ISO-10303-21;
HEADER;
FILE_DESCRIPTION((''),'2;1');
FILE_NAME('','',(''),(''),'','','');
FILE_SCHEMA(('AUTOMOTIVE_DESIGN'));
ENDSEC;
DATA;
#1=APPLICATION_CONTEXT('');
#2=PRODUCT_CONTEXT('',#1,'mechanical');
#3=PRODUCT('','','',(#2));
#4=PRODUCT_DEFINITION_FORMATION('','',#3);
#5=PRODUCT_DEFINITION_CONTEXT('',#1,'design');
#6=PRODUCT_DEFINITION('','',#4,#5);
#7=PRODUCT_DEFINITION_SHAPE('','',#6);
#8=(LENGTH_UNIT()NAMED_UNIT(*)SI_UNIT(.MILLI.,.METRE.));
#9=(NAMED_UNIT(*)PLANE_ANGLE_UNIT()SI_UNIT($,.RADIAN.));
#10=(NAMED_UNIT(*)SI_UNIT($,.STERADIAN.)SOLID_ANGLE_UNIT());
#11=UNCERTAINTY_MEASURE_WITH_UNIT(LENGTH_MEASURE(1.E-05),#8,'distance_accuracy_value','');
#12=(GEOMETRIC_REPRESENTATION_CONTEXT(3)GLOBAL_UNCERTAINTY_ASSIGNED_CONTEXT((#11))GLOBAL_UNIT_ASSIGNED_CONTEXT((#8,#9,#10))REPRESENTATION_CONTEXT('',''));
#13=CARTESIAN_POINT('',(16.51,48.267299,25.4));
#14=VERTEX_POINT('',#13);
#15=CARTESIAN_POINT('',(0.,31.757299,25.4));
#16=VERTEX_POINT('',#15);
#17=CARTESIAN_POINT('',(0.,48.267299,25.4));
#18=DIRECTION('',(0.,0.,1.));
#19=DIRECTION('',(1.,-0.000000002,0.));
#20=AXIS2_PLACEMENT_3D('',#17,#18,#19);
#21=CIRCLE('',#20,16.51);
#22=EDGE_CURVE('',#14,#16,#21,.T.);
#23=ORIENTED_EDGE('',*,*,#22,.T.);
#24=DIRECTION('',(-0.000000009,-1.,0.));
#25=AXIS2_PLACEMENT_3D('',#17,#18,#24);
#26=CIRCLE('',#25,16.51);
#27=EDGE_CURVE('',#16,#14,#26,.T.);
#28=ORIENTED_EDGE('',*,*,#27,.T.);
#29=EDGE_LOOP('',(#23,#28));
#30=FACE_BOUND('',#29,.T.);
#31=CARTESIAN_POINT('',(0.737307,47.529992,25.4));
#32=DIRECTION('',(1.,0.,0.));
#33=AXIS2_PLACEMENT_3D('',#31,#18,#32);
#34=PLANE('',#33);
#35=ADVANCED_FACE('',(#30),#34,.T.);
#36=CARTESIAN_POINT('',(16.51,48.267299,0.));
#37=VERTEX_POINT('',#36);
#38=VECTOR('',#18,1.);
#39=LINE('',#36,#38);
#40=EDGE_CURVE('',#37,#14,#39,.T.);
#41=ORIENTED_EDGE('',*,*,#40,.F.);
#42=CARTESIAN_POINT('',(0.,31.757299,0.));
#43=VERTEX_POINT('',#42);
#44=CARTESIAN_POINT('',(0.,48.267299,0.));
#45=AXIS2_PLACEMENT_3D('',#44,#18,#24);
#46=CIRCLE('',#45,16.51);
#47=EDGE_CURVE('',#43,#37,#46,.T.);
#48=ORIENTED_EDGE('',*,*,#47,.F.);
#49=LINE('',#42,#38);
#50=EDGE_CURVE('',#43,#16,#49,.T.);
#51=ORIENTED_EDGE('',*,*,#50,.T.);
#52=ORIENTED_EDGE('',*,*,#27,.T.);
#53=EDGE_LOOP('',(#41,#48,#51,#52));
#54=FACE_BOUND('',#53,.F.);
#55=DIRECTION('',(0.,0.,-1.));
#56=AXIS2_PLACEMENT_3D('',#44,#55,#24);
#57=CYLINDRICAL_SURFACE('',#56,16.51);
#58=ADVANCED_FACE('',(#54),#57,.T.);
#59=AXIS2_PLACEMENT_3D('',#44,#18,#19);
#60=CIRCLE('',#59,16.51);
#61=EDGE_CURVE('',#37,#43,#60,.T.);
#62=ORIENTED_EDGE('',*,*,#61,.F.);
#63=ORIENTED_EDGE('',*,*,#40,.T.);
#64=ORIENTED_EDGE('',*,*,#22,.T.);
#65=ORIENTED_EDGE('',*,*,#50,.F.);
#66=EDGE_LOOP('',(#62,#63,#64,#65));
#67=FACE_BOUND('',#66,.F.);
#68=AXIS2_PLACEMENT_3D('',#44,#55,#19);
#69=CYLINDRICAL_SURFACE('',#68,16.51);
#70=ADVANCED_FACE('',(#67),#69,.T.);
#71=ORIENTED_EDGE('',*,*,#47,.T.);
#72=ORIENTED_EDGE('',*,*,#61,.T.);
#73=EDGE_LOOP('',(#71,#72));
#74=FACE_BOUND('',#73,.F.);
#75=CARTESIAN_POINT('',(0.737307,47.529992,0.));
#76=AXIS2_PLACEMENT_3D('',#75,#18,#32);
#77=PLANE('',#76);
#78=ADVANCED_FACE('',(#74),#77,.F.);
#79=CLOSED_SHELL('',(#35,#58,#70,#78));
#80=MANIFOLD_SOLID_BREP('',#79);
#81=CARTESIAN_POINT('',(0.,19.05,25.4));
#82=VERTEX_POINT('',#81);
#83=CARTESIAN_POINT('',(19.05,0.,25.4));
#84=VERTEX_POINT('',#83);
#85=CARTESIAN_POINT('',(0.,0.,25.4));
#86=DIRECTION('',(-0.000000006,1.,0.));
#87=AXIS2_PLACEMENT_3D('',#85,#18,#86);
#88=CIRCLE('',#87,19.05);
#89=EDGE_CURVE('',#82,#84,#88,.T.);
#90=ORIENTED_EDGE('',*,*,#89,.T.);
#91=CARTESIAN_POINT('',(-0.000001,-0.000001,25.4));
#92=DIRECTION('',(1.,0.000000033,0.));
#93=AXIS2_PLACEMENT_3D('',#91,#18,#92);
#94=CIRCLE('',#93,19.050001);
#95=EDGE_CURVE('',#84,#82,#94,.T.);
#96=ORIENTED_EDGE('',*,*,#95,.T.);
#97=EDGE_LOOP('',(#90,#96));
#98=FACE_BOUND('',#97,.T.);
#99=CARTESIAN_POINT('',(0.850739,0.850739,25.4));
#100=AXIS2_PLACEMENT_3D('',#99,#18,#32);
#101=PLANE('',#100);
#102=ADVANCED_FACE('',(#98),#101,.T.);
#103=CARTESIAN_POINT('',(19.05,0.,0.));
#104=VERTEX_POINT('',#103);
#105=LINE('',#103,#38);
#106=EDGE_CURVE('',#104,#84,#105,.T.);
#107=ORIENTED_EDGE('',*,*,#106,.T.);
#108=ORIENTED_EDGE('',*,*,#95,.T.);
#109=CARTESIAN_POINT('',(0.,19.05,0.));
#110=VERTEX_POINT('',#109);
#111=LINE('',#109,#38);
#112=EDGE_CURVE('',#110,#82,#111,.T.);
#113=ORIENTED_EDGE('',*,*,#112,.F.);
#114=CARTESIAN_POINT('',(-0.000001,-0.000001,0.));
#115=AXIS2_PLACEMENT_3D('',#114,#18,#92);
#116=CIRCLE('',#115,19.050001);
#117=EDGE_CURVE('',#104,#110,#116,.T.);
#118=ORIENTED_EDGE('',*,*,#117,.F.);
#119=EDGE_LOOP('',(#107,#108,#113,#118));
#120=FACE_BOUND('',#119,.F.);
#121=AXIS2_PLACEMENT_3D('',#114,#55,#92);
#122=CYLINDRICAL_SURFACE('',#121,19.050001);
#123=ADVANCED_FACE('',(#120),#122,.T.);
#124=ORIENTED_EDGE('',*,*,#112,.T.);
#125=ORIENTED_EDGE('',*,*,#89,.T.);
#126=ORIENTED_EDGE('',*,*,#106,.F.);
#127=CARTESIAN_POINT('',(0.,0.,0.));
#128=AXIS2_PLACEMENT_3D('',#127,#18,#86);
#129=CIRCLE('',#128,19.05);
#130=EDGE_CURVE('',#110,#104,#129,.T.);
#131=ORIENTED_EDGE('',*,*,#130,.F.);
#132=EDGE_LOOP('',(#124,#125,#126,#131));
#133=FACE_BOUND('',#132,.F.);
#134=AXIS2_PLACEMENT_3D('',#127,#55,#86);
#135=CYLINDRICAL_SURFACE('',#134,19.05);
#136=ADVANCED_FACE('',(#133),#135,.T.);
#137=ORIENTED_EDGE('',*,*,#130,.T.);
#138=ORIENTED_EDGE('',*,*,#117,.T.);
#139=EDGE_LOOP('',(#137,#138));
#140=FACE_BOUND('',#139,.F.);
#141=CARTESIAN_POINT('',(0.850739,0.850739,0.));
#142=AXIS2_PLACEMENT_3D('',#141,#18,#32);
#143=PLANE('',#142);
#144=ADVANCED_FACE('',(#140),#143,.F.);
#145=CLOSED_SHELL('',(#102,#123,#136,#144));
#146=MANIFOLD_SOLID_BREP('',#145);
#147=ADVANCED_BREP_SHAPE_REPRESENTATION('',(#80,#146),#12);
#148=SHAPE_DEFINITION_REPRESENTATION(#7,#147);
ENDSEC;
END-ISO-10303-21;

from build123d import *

# Parameters (mm, degrees)
F1_DEPTH = 25.4


with BuildPart() as f1:
    # F0 (on Top) → F1 (new body)
    with BuildSketch(Plane.XY):
        with BuildLine():
            ThreePointArc((0, 19.05), (-13.470384, -13.470384), (19.05, 0))
            ThreePointArc((19.05, 0), (13.470384, 13.470384), (0, 19.05))
        make_face()
        with BuildLine():
            ThreePointArc((16.51, 48.267299), (-11.674333, 59.941632), (0, 31.757299))
            ThreePointArc((0, 31.757299), (11.674333, 36.592966), (16.51, 48.267299))
        make_face()
    extrude(amount=F1_DEPTH)


solid = f1.part
